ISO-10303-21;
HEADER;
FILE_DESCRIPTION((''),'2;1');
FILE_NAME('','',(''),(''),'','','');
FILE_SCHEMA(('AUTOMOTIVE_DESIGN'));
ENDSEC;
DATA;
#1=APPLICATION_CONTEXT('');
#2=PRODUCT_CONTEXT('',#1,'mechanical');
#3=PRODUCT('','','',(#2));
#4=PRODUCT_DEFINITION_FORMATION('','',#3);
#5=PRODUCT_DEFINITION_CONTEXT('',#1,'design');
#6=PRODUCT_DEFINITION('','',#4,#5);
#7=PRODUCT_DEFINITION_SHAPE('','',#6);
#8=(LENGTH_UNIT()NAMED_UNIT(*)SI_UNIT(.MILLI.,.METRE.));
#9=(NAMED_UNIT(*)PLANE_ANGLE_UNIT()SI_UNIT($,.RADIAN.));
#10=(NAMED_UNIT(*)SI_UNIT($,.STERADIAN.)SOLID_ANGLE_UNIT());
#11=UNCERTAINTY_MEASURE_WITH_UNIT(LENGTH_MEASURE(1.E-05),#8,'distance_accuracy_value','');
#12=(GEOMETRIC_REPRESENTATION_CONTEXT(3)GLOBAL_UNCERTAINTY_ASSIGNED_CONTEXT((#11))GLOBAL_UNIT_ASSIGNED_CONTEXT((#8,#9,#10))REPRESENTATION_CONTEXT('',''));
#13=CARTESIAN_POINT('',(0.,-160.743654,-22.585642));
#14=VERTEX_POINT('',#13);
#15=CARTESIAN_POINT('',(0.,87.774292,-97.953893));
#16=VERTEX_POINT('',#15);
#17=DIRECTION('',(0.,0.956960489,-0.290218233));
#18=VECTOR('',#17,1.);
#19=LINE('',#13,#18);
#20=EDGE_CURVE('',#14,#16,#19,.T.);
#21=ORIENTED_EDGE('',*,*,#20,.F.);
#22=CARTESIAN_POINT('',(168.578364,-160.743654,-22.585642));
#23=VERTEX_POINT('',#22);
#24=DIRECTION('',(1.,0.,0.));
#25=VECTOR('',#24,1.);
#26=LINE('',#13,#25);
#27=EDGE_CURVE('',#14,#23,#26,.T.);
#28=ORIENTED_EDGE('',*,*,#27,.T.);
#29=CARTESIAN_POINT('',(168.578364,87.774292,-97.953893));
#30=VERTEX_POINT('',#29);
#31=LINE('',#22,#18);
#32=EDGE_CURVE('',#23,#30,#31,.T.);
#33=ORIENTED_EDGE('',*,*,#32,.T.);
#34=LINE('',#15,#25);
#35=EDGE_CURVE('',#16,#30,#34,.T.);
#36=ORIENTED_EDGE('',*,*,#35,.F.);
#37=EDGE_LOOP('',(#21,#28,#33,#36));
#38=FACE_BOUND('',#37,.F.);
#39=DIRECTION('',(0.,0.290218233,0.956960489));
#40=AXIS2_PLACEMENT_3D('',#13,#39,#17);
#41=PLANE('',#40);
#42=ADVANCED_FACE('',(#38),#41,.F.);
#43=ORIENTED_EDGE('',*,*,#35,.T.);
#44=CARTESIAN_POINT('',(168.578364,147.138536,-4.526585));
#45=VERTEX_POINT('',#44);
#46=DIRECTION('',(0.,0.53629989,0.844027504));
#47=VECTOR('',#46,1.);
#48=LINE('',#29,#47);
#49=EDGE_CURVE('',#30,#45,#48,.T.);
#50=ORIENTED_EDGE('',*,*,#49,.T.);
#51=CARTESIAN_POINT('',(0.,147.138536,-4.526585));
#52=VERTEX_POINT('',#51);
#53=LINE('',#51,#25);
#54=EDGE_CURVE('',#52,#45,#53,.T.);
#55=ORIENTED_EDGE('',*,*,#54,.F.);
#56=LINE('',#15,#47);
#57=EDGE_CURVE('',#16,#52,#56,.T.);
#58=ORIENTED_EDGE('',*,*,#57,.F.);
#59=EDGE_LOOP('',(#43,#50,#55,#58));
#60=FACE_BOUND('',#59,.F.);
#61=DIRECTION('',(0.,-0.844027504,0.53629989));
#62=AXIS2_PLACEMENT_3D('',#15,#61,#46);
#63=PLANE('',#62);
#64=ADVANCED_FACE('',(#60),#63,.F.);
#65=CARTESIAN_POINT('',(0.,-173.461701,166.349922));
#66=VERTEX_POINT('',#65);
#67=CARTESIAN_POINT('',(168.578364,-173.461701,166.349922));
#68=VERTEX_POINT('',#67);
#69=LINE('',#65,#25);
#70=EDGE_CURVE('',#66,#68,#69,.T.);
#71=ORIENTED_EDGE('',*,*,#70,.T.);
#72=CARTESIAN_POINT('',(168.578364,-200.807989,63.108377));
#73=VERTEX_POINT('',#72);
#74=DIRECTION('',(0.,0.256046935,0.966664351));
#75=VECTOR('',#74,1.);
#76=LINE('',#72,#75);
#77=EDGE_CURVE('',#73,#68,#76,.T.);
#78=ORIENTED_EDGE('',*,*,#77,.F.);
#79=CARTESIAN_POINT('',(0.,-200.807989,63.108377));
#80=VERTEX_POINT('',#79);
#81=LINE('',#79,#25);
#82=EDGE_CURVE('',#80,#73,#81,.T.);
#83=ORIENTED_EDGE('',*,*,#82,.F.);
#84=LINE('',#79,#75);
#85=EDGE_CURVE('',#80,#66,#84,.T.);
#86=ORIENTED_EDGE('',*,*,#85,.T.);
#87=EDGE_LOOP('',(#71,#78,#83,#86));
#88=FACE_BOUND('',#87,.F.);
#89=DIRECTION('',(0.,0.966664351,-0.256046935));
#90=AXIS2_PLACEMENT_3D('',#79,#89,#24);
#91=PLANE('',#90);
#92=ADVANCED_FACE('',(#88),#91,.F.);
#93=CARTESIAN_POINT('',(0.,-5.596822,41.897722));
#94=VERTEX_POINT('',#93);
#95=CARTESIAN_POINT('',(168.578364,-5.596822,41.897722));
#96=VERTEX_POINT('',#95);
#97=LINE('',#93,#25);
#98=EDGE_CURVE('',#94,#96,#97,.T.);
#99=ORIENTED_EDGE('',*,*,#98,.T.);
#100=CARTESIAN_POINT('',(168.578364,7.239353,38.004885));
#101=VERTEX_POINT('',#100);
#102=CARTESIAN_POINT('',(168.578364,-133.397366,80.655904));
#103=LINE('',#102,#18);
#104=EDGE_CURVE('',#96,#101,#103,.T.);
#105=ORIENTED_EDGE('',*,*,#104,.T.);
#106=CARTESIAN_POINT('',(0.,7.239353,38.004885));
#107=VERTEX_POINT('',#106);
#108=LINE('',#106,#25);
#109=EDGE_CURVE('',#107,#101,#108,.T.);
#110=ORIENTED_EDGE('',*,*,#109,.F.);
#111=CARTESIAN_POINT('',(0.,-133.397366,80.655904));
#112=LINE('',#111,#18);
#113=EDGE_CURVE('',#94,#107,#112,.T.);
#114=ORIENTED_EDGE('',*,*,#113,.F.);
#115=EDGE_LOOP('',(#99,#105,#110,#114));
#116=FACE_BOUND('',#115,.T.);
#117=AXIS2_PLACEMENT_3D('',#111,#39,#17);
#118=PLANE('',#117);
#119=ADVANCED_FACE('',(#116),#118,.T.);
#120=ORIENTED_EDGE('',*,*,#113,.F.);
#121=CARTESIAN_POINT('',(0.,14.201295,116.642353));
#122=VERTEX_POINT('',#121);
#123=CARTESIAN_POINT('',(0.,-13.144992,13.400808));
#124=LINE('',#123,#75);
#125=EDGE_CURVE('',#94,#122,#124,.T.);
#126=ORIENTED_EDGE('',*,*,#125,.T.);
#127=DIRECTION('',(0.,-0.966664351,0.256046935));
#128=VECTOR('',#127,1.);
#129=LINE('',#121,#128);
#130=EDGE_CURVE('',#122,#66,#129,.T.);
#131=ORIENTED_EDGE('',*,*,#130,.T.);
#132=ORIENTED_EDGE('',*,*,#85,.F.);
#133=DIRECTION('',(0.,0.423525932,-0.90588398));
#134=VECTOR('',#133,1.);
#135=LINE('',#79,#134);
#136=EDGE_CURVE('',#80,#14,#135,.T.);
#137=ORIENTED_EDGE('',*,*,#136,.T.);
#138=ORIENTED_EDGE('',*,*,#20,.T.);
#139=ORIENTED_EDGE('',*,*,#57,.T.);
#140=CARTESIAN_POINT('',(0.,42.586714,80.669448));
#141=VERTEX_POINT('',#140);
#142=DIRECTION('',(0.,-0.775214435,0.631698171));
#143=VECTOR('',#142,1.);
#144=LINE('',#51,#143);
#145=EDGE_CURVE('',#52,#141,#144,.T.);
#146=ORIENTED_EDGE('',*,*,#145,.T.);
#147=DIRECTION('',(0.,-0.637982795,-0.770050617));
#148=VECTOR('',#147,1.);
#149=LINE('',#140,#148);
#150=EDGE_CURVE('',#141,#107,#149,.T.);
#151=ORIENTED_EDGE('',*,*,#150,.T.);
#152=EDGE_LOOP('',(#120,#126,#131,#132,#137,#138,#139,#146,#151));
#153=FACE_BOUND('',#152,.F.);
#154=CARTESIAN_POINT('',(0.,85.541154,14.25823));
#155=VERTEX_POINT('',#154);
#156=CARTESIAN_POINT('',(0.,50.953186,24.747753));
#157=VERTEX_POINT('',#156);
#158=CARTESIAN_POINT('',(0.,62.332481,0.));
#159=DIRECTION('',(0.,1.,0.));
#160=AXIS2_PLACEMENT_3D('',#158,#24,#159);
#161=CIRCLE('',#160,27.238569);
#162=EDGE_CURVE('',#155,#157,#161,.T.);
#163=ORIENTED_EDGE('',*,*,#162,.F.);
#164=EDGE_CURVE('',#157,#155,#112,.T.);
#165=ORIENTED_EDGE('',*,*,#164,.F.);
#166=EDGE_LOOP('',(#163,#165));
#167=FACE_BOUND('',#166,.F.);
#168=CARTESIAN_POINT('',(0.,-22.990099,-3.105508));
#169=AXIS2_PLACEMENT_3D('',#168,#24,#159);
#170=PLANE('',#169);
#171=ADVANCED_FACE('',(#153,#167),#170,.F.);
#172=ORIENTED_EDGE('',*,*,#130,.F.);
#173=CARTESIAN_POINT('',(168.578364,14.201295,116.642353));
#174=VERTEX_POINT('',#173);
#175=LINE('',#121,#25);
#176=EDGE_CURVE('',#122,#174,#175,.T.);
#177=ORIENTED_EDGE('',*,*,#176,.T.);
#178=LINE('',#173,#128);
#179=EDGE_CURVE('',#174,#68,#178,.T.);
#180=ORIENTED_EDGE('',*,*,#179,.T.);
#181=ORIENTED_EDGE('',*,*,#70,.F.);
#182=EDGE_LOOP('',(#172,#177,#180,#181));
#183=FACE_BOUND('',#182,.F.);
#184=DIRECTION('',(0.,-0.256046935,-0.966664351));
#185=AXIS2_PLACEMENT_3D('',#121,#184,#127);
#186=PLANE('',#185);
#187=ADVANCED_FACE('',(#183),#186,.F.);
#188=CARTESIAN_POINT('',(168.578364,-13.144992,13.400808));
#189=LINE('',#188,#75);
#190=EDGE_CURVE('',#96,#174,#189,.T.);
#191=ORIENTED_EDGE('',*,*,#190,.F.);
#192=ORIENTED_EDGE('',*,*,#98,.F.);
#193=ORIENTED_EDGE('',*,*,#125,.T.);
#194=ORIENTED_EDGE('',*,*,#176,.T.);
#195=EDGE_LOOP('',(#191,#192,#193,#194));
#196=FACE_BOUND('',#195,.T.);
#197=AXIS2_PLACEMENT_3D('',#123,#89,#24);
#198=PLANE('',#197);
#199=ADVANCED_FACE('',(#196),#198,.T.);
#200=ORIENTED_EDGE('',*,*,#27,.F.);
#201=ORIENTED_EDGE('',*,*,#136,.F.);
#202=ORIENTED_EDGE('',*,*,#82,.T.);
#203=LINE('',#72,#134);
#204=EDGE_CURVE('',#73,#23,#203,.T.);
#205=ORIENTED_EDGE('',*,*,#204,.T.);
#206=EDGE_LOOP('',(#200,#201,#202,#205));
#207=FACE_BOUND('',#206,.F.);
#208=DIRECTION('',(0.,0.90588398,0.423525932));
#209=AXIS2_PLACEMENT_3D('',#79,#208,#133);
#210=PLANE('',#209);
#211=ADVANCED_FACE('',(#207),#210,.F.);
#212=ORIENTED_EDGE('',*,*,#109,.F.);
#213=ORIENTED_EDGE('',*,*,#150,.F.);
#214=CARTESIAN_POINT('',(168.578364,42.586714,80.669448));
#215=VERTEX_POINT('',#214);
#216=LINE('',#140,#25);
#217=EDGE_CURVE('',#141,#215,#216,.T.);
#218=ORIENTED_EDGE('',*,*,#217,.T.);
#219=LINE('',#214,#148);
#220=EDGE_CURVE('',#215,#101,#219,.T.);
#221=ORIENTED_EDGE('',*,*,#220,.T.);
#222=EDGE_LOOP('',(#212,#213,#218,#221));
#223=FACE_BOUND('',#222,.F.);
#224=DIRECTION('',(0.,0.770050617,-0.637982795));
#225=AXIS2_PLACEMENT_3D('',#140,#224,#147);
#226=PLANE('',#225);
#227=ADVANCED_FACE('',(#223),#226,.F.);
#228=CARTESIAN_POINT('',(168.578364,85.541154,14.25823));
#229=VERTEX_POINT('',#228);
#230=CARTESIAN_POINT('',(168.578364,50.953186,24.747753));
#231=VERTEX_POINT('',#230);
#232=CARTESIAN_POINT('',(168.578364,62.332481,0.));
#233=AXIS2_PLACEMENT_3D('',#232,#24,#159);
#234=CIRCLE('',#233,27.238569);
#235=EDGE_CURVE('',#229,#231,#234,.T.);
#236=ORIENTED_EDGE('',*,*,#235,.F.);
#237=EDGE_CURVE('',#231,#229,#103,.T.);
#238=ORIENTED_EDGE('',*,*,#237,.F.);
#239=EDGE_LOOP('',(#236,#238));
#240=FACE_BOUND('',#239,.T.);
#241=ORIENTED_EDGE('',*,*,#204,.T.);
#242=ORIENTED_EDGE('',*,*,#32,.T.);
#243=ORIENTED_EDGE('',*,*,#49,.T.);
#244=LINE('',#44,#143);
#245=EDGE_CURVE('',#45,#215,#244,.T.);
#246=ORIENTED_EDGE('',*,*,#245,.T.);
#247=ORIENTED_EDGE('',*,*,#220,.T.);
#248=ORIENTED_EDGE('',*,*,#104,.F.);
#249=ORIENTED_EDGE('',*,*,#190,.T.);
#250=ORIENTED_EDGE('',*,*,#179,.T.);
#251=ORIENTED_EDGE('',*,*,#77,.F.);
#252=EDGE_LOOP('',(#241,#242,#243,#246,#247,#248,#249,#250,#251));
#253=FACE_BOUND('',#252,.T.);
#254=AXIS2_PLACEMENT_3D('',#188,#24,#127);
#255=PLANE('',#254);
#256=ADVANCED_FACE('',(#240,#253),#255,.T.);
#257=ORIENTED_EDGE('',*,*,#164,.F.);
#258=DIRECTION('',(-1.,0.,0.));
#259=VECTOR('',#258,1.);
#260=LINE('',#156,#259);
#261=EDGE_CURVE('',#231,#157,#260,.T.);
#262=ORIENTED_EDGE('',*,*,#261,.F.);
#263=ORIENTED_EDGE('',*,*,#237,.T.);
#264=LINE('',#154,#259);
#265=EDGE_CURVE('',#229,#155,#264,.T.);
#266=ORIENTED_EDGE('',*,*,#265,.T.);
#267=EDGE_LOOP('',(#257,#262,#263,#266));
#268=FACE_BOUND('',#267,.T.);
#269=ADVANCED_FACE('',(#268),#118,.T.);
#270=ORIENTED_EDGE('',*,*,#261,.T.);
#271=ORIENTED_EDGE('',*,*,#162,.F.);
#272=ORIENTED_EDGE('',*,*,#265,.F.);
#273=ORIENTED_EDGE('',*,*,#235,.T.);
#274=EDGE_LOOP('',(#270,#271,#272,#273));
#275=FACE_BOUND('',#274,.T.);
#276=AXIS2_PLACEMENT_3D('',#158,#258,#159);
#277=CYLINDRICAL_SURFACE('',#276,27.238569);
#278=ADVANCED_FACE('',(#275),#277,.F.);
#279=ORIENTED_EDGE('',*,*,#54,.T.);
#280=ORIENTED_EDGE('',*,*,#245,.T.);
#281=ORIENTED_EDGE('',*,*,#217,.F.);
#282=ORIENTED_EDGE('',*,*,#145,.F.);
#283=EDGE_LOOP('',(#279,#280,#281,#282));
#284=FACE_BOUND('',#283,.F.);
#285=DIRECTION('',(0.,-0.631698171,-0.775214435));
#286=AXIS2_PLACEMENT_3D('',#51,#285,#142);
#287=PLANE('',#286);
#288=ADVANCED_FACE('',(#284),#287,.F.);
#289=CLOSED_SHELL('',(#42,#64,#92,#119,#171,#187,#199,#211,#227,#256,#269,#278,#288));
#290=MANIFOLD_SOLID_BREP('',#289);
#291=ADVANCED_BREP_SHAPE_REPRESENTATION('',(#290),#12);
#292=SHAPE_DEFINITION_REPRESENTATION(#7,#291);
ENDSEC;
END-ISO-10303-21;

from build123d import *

# Parameters (mm, degrees)
F0_R     = 27.2385686344
F1_DEPTH = 168.578363955
F2_DEPTH = 106.8018544465


with BuildPart() as f1:
    # F0 (on Right) → F1 (new body)
    with BuildSketch(Plane.YZ):
        Polygon((42.5867140293, 80.6694477797), (-13.1449922919, 13.4008079767), (-200.8079886436, 63.1083771586), (-160.7436537743, -22.5856415927), (87.7742916346, -97.9538932443), (147.1385359764, -4.5265853405), align=None)
        with Locations((62.3324811459, 0)):
            Circle(F0_R, mode=Mode.SUBTRACT)
    extrude(amount=F1_DEPTH)

    # F2 (add): faces of the model
    f2_faces = [f1.faces().sort_by_distance(p)[0] for p in [
        (84.2891819775, -106.9764904678, 38.2545925677),
        (84.2891819775, -36.4846810699, -60.2697674185),
    ]]
    extrude(f2_faces, amount=F2_DEPTH, dir=(0, 0.2560469353, 0.9666643507))


solid = f1.part
